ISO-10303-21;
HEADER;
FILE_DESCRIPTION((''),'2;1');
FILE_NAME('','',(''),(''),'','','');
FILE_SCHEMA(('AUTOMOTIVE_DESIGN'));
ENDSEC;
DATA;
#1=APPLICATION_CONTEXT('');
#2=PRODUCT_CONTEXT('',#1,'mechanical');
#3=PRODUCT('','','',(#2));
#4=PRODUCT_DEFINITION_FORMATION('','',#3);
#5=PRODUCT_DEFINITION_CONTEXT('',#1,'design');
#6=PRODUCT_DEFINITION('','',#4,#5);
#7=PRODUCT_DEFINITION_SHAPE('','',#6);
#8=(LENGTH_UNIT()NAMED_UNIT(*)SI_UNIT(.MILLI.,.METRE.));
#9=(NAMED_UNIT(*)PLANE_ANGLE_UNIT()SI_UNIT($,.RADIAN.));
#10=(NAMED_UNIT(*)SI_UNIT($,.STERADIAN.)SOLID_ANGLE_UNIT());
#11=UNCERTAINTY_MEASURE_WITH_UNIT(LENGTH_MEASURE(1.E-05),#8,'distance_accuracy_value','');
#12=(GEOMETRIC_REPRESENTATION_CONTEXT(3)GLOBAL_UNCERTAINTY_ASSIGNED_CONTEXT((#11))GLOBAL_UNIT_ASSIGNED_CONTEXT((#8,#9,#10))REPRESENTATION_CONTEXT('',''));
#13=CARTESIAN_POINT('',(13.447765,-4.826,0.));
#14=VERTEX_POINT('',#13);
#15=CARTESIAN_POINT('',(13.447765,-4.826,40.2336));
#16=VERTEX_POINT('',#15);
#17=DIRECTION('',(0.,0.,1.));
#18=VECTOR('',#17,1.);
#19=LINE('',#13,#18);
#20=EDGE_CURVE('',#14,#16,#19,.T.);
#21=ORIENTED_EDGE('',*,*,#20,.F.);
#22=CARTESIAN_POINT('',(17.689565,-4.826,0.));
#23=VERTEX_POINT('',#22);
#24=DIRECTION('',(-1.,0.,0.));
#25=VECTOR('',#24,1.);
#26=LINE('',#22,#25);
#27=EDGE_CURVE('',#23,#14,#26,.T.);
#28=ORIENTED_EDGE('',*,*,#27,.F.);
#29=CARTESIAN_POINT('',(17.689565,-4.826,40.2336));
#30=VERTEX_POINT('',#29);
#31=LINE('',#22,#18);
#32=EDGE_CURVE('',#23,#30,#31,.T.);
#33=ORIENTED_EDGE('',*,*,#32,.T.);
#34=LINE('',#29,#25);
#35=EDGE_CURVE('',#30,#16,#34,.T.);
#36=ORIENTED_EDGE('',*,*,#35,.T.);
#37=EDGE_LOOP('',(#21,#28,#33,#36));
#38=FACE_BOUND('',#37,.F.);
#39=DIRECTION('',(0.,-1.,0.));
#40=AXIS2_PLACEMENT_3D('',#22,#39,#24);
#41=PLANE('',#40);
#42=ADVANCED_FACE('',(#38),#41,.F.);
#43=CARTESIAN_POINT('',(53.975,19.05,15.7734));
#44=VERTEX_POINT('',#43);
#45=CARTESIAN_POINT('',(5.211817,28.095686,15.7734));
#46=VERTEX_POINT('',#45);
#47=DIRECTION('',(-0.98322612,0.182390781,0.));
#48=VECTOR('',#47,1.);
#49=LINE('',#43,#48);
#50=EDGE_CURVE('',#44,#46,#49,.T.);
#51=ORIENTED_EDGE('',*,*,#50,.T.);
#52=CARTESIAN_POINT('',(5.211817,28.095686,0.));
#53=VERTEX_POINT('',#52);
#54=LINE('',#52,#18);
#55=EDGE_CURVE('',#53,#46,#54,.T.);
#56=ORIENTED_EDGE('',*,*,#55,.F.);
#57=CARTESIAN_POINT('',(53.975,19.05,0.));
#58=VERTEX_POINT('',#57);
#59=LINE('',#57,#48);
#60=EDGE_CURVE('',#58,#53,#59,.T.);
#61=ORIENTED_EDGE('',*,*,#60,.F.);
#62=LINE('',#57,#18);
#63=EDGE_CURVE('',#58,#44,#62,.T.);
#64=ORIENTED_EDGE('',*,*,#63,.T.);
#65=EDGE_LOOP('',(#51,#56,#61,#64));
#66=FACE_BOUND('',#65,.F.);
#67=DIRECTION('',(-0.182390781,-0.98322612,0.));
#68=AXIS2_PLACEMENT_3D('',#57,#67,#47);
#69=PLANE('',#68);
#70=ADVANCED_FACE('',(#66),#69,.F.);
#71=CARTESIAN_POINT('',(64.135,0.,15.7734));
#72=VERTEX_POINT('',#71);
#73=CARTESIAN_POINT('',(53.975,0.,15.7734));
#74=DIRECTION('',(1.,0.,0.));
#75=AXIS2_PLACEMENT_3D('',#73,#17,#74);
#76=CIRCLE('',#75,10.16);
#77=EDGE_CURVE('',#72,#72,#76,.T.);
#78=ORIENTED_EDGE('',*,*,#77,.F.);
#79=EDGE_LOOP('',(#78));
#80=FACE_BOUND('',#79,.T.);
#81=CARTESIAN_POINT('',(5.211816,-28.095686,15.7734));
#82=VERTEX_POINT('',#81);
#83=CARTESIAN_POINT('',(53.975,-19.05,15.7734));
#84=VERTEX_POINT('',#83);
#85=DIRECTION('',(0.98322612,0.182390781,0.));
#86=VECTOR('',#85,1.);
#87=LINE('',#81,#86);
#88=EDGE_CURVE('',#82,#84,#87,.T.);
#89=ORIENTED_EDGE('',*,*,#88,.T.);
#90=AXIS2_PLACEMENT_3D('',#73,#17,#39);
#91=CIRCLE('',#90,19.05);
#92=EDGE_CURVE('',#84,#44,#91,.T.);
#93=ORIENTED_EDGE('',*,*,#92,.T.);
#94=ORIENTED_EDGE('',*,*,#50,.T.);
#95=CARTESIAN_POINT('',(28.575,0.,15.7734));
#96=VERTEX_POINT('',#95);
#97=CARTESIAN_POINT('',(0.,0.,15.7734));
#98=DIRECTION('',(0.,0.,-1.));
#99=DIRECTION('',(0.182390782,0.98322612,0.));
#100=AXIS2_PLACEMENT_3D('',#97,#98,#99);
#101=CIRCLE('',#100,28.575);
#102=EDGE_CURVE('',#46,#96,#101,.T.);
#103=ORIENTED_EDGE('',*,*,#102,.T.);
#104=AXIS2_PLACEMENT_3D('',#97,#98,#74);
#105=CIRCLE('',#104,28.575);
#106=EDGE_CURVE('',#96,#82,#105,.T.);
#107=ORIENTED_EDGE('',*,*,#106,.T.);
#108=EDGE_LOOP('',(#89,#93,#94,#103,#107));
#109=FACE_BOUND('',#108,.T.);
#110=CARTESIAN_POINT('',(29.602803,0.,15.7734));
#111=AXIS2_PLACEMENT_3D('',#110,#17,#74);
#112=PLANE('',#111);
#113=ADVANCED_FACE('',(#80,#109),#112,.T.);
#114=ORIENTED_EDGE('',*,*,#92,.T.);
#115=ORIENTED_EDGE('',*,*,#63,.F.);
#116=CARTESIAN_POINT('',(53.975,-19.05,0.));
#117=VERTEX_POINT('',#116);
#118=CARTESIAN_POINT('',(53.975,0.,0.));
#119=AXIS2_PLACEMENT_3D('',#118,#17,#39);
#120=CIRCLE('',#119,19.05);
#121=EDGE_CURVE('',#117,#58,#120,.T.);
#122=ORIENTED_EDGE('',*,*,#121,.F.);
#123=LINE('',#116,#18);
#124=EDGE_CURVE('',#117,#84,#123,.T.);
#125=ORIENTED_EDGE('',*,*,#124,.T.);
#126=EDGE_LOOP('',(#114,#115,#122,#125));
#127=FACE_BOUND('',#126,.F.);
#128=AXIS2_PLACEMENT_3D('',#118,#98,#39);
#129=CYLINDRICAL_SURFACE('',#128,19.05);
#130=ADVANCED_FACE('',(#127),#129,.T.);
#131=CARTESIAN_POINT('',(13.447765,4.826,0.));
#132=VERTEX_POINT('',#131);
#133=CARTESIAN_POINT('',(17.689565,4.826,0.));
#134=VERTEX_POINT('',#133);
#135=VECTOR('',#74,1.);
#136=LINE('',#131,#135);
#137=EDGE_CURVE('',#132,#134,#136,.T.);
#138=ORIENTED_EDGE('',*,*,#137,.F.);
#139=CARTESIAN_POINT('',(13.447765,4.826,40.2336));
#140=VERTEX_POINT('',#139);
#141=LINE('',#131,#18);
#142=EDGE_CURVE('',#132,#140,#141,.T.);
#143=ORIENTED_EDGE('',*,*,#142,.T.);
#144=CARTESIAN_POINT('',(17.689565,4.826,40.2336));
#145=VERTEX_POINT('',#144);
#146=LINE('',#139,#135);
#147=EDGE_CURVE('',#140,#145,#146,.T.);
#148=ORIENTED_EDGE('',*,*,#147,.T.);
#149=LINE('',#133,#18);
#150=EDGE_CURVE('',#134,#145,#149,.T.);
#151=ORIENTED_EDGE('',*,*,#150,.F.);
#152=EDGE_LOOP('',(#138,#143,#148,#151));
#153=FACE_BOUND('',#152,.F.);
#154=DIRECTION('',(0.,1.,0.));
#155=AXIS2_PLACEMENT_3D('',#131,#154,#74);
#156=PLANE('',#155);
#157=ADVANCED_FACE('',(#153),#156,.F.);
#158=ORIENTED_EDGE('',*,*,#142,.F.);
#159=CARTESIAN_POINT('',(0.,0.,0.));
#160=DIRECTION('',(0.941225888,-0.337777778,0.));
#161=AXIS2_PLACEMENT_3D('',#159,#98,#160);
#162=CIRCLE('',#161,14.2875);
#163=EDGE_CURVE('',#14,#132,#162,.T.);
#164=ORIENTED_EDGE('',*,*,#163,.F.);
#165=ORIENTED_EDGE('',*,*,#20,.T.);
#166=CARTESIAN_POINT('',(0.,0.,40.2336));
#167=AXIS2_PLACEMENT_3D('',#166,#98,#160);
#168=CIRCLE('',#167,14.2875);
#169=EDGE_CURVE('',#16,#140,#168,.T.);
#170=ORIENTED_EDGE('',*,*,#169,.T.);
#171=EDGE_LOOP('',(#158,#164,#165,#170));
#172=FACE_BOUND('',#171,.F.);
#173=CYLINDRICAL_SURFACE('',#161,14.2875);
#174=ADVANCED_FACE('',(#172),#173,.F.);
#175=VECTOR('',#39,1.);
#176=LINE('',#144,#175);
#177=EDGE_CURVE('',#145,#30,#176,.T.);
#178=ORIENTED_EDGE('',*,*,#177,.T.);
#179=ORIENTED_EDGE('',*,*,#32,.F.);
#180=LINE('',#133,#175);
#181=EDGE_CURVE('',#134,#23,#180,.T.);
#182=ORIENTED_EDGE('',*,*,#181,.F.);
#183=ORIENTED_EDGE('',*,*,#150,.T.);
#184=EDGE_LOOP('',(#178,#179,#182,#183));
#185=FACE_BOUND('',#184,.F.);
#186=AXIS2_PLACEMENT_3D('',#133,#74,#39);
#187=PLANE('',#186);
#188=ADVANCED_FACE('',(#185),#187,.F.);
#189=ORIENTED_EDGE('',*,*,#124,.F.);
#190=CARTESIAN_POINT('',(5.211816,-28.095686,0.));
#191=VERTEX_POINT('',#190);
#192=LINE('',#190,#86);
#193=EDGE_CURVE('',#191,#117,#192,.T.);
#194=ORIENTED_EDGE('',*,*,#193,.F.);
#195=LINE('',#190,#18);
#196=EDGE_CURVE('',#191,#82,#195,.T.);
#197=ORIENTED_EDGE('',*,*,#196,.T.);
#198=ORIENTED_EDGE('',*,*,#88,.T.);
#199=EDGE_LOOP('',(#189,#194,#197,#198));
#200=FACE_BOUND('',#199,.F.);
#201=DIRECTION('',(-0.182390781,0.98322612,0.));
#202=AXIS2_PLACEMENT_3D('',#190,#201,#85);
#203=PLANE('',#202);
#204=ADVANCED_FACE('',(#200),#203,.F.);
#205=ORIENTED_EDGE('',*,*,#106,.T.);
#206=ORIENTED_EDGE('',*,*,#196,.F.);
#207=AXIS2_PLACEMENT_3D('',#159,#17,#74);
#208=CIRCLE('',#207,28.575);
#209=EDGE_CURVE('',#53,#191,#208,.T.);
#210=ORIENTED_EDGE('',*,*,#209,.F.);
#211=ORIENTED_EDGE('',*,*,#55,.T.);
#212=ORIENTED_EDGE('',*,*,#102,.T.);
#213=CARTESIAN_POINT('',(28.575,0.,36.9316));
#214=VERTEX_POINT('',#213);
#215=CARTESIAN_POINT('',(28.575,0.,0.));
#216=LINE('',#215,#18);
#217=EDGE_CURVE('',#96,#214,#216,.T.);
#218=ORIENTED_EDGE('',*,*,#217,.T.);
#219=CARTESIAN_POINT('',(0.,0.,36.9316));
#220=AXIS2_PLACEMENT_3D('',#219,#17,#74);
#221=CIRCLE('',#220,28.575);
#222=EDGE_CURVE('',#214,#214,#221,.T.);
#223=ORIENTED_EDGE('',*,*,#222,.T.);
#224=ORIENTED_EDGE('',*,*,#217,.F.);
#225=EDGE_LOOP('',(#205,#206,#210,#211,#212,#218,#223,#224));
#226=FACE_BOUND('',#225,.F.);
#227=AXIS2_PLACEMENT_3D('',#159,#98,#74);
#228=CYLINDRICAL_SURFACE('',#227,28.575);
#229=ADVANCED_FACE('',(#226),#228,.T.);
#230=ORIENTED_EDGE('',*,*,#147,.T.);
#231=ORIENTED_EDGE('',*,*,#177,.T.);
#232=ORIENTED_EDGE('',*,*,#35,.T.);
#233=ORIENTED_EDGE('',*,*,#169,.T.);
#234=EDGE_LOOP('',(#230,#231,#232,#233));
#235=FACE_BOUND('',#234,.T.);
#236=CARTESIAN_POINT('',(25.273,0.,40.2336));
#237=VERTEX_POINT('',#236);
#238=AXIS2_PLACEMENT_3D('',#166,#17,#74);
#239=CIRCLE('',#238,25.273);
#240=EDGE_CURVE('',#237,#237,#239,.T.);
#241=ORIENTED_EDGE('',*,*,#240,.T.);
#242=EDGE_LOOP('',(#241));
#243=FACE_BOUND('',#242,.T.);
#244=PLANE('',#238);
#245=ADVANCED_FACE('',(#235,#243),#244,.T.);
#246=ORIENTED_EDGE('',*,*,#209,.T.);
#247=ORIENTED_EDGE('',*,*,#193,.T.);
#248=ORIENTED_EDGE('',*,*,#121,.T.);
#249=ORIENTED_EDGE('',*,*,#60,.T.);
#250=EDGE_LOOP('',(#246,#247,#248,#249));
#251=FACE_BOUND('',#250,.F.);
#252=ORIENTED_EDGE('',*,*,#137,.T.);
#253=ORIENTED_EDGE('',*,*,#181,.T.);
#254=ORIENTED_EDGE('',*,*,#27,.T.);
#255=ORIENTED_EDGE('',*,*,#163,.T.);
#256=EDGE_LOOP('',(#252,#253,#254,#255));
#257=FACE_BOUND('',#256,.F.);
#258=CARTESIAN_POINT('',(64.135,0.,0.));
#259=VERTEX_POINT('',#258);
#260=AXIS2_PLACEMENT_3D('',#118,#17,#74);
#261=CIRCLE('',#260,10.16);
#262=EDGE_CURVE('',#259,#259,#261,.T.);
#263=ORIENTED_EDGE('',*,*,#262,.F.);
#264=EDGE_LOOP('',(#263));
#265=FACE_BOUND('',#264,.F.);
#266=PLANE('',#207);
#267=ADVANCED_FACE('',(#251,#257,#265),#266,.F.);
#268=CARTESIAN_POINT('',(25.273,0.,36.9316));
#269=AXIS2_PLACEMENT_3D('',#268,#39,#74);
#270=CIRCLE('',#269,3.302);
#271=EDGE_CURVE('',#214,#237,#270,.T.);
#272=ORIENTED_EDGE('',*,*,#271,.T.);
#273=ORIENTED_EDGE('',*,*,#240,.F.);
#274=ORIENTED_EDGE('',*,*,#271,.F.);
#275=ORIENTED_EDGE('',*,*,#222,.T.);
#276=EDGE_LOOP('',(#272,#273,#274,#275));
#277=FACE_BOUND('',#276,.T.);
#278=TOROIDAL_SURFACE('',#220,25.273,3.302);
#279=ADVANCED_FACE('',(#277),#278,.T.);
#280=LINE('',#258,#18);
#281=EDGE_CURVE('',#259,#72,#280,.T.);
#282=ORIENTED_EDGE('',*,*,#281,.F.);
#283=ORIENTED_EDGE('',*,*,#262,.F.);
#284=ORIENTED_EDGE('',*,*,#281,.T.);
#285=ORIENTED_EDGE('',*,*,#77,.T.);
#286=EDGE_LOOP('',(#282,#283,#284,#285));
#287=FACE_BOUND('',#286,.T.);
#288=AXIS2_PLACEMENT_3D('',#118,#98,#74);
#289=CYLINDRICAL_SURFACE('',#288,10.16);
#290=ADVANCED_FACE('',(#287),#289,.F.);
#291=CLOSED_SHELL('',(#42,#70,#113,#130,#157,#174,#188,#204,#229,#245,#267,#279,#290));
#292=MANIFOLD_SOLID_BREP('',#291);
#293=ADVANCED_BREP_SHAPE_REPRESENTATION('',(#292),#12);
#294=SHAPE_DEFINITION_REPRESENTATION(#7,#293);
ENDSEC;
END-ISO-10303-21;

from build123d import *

# Parameters (mm, degrees)
F0_R     = 10.16
F1_DEPTH = 15.7734
F3_DEPTH = 40.2336
F4_R     = 3.302


with BuildPart() as f1:
    # F0 (on Top) → F1 (new body)
    with BuildSketch(Plane.XY):
        with BuildLine():
            ThreePointArc((5.2118165849, 28.0956863751), (21.9710978778, 18.270234893), (28.575, 0))
            ThreePointArc((28.575, 0), (21.9710977085, -18.2702350965), (5.2118160642, -28.0956864716))
            Line((5.2118160642, -28.0956864716), (53.975, -19.05))
            ThreePointArc((53.975, -19.05), (34.925, 0), (53.975, 19.05))
            Line((53.975, 19.05), (5.2118165849, 28.0956863751))
        make_face()
        with BuildLine():
            ThreePointArc((73.025, 0), (67.4453841816, 13.4703841816), (53.975, 19.05))
            ThreePointArc((53.975, 19.05), (34.925, 0), (53.975, -19.05))
            ThreePointArc((53.975, -19.05), (67.4453841816, -13.4703841816), (73.025, 0))
        make_face()
        with Locations((53.975, 0)):
            Circle(F0_R, mode=Mode.SUBTRACT)
    extrude(amount=F1_DEPTH)

    # F2 (on face) → F3 (join)
    with BuildSketch(Plane.XY):
        with BuildLine():
            ThreePointArc((5.2118165849, 28.0956863751), (-28.575, 2.648e-07), (5.2118160642, -28.0956864716))
            ThreePointArc((5.2118160642, -28.0956864716), (21.9710977085, -18.2702350965), (28.575, 0))
            ThreePointArc((28.575, 0), (21.9710978778, 18.270234893), (5.2118165849, 28.0956863751))
        make_face()
        with BuildLine():
            Line((17.6895648793, -4.826), (13.4477648793, -4.826))
            ThreePointArc((13.4477648793, -4.826), (-14.2875, 0), (13.4477648793, 4.826))
            Line((13.4477648793, 4.826), (17.6895648793, 4.826))
            Line((17.6895648793, 4.826), (17.6895648793, -4.826))
        make_face(mode=Mode.SUBTRACT)
    extrude(amount=F3_DEPTH)

    # F4
    f4_edges = [f1.edges().sort_by_distance(p)[0] for p in [
        (-5.211816, 28.095686, 40.2336),
    ]]
    fillet(f4_edges, radius=F4_R)


solid = f1.part
